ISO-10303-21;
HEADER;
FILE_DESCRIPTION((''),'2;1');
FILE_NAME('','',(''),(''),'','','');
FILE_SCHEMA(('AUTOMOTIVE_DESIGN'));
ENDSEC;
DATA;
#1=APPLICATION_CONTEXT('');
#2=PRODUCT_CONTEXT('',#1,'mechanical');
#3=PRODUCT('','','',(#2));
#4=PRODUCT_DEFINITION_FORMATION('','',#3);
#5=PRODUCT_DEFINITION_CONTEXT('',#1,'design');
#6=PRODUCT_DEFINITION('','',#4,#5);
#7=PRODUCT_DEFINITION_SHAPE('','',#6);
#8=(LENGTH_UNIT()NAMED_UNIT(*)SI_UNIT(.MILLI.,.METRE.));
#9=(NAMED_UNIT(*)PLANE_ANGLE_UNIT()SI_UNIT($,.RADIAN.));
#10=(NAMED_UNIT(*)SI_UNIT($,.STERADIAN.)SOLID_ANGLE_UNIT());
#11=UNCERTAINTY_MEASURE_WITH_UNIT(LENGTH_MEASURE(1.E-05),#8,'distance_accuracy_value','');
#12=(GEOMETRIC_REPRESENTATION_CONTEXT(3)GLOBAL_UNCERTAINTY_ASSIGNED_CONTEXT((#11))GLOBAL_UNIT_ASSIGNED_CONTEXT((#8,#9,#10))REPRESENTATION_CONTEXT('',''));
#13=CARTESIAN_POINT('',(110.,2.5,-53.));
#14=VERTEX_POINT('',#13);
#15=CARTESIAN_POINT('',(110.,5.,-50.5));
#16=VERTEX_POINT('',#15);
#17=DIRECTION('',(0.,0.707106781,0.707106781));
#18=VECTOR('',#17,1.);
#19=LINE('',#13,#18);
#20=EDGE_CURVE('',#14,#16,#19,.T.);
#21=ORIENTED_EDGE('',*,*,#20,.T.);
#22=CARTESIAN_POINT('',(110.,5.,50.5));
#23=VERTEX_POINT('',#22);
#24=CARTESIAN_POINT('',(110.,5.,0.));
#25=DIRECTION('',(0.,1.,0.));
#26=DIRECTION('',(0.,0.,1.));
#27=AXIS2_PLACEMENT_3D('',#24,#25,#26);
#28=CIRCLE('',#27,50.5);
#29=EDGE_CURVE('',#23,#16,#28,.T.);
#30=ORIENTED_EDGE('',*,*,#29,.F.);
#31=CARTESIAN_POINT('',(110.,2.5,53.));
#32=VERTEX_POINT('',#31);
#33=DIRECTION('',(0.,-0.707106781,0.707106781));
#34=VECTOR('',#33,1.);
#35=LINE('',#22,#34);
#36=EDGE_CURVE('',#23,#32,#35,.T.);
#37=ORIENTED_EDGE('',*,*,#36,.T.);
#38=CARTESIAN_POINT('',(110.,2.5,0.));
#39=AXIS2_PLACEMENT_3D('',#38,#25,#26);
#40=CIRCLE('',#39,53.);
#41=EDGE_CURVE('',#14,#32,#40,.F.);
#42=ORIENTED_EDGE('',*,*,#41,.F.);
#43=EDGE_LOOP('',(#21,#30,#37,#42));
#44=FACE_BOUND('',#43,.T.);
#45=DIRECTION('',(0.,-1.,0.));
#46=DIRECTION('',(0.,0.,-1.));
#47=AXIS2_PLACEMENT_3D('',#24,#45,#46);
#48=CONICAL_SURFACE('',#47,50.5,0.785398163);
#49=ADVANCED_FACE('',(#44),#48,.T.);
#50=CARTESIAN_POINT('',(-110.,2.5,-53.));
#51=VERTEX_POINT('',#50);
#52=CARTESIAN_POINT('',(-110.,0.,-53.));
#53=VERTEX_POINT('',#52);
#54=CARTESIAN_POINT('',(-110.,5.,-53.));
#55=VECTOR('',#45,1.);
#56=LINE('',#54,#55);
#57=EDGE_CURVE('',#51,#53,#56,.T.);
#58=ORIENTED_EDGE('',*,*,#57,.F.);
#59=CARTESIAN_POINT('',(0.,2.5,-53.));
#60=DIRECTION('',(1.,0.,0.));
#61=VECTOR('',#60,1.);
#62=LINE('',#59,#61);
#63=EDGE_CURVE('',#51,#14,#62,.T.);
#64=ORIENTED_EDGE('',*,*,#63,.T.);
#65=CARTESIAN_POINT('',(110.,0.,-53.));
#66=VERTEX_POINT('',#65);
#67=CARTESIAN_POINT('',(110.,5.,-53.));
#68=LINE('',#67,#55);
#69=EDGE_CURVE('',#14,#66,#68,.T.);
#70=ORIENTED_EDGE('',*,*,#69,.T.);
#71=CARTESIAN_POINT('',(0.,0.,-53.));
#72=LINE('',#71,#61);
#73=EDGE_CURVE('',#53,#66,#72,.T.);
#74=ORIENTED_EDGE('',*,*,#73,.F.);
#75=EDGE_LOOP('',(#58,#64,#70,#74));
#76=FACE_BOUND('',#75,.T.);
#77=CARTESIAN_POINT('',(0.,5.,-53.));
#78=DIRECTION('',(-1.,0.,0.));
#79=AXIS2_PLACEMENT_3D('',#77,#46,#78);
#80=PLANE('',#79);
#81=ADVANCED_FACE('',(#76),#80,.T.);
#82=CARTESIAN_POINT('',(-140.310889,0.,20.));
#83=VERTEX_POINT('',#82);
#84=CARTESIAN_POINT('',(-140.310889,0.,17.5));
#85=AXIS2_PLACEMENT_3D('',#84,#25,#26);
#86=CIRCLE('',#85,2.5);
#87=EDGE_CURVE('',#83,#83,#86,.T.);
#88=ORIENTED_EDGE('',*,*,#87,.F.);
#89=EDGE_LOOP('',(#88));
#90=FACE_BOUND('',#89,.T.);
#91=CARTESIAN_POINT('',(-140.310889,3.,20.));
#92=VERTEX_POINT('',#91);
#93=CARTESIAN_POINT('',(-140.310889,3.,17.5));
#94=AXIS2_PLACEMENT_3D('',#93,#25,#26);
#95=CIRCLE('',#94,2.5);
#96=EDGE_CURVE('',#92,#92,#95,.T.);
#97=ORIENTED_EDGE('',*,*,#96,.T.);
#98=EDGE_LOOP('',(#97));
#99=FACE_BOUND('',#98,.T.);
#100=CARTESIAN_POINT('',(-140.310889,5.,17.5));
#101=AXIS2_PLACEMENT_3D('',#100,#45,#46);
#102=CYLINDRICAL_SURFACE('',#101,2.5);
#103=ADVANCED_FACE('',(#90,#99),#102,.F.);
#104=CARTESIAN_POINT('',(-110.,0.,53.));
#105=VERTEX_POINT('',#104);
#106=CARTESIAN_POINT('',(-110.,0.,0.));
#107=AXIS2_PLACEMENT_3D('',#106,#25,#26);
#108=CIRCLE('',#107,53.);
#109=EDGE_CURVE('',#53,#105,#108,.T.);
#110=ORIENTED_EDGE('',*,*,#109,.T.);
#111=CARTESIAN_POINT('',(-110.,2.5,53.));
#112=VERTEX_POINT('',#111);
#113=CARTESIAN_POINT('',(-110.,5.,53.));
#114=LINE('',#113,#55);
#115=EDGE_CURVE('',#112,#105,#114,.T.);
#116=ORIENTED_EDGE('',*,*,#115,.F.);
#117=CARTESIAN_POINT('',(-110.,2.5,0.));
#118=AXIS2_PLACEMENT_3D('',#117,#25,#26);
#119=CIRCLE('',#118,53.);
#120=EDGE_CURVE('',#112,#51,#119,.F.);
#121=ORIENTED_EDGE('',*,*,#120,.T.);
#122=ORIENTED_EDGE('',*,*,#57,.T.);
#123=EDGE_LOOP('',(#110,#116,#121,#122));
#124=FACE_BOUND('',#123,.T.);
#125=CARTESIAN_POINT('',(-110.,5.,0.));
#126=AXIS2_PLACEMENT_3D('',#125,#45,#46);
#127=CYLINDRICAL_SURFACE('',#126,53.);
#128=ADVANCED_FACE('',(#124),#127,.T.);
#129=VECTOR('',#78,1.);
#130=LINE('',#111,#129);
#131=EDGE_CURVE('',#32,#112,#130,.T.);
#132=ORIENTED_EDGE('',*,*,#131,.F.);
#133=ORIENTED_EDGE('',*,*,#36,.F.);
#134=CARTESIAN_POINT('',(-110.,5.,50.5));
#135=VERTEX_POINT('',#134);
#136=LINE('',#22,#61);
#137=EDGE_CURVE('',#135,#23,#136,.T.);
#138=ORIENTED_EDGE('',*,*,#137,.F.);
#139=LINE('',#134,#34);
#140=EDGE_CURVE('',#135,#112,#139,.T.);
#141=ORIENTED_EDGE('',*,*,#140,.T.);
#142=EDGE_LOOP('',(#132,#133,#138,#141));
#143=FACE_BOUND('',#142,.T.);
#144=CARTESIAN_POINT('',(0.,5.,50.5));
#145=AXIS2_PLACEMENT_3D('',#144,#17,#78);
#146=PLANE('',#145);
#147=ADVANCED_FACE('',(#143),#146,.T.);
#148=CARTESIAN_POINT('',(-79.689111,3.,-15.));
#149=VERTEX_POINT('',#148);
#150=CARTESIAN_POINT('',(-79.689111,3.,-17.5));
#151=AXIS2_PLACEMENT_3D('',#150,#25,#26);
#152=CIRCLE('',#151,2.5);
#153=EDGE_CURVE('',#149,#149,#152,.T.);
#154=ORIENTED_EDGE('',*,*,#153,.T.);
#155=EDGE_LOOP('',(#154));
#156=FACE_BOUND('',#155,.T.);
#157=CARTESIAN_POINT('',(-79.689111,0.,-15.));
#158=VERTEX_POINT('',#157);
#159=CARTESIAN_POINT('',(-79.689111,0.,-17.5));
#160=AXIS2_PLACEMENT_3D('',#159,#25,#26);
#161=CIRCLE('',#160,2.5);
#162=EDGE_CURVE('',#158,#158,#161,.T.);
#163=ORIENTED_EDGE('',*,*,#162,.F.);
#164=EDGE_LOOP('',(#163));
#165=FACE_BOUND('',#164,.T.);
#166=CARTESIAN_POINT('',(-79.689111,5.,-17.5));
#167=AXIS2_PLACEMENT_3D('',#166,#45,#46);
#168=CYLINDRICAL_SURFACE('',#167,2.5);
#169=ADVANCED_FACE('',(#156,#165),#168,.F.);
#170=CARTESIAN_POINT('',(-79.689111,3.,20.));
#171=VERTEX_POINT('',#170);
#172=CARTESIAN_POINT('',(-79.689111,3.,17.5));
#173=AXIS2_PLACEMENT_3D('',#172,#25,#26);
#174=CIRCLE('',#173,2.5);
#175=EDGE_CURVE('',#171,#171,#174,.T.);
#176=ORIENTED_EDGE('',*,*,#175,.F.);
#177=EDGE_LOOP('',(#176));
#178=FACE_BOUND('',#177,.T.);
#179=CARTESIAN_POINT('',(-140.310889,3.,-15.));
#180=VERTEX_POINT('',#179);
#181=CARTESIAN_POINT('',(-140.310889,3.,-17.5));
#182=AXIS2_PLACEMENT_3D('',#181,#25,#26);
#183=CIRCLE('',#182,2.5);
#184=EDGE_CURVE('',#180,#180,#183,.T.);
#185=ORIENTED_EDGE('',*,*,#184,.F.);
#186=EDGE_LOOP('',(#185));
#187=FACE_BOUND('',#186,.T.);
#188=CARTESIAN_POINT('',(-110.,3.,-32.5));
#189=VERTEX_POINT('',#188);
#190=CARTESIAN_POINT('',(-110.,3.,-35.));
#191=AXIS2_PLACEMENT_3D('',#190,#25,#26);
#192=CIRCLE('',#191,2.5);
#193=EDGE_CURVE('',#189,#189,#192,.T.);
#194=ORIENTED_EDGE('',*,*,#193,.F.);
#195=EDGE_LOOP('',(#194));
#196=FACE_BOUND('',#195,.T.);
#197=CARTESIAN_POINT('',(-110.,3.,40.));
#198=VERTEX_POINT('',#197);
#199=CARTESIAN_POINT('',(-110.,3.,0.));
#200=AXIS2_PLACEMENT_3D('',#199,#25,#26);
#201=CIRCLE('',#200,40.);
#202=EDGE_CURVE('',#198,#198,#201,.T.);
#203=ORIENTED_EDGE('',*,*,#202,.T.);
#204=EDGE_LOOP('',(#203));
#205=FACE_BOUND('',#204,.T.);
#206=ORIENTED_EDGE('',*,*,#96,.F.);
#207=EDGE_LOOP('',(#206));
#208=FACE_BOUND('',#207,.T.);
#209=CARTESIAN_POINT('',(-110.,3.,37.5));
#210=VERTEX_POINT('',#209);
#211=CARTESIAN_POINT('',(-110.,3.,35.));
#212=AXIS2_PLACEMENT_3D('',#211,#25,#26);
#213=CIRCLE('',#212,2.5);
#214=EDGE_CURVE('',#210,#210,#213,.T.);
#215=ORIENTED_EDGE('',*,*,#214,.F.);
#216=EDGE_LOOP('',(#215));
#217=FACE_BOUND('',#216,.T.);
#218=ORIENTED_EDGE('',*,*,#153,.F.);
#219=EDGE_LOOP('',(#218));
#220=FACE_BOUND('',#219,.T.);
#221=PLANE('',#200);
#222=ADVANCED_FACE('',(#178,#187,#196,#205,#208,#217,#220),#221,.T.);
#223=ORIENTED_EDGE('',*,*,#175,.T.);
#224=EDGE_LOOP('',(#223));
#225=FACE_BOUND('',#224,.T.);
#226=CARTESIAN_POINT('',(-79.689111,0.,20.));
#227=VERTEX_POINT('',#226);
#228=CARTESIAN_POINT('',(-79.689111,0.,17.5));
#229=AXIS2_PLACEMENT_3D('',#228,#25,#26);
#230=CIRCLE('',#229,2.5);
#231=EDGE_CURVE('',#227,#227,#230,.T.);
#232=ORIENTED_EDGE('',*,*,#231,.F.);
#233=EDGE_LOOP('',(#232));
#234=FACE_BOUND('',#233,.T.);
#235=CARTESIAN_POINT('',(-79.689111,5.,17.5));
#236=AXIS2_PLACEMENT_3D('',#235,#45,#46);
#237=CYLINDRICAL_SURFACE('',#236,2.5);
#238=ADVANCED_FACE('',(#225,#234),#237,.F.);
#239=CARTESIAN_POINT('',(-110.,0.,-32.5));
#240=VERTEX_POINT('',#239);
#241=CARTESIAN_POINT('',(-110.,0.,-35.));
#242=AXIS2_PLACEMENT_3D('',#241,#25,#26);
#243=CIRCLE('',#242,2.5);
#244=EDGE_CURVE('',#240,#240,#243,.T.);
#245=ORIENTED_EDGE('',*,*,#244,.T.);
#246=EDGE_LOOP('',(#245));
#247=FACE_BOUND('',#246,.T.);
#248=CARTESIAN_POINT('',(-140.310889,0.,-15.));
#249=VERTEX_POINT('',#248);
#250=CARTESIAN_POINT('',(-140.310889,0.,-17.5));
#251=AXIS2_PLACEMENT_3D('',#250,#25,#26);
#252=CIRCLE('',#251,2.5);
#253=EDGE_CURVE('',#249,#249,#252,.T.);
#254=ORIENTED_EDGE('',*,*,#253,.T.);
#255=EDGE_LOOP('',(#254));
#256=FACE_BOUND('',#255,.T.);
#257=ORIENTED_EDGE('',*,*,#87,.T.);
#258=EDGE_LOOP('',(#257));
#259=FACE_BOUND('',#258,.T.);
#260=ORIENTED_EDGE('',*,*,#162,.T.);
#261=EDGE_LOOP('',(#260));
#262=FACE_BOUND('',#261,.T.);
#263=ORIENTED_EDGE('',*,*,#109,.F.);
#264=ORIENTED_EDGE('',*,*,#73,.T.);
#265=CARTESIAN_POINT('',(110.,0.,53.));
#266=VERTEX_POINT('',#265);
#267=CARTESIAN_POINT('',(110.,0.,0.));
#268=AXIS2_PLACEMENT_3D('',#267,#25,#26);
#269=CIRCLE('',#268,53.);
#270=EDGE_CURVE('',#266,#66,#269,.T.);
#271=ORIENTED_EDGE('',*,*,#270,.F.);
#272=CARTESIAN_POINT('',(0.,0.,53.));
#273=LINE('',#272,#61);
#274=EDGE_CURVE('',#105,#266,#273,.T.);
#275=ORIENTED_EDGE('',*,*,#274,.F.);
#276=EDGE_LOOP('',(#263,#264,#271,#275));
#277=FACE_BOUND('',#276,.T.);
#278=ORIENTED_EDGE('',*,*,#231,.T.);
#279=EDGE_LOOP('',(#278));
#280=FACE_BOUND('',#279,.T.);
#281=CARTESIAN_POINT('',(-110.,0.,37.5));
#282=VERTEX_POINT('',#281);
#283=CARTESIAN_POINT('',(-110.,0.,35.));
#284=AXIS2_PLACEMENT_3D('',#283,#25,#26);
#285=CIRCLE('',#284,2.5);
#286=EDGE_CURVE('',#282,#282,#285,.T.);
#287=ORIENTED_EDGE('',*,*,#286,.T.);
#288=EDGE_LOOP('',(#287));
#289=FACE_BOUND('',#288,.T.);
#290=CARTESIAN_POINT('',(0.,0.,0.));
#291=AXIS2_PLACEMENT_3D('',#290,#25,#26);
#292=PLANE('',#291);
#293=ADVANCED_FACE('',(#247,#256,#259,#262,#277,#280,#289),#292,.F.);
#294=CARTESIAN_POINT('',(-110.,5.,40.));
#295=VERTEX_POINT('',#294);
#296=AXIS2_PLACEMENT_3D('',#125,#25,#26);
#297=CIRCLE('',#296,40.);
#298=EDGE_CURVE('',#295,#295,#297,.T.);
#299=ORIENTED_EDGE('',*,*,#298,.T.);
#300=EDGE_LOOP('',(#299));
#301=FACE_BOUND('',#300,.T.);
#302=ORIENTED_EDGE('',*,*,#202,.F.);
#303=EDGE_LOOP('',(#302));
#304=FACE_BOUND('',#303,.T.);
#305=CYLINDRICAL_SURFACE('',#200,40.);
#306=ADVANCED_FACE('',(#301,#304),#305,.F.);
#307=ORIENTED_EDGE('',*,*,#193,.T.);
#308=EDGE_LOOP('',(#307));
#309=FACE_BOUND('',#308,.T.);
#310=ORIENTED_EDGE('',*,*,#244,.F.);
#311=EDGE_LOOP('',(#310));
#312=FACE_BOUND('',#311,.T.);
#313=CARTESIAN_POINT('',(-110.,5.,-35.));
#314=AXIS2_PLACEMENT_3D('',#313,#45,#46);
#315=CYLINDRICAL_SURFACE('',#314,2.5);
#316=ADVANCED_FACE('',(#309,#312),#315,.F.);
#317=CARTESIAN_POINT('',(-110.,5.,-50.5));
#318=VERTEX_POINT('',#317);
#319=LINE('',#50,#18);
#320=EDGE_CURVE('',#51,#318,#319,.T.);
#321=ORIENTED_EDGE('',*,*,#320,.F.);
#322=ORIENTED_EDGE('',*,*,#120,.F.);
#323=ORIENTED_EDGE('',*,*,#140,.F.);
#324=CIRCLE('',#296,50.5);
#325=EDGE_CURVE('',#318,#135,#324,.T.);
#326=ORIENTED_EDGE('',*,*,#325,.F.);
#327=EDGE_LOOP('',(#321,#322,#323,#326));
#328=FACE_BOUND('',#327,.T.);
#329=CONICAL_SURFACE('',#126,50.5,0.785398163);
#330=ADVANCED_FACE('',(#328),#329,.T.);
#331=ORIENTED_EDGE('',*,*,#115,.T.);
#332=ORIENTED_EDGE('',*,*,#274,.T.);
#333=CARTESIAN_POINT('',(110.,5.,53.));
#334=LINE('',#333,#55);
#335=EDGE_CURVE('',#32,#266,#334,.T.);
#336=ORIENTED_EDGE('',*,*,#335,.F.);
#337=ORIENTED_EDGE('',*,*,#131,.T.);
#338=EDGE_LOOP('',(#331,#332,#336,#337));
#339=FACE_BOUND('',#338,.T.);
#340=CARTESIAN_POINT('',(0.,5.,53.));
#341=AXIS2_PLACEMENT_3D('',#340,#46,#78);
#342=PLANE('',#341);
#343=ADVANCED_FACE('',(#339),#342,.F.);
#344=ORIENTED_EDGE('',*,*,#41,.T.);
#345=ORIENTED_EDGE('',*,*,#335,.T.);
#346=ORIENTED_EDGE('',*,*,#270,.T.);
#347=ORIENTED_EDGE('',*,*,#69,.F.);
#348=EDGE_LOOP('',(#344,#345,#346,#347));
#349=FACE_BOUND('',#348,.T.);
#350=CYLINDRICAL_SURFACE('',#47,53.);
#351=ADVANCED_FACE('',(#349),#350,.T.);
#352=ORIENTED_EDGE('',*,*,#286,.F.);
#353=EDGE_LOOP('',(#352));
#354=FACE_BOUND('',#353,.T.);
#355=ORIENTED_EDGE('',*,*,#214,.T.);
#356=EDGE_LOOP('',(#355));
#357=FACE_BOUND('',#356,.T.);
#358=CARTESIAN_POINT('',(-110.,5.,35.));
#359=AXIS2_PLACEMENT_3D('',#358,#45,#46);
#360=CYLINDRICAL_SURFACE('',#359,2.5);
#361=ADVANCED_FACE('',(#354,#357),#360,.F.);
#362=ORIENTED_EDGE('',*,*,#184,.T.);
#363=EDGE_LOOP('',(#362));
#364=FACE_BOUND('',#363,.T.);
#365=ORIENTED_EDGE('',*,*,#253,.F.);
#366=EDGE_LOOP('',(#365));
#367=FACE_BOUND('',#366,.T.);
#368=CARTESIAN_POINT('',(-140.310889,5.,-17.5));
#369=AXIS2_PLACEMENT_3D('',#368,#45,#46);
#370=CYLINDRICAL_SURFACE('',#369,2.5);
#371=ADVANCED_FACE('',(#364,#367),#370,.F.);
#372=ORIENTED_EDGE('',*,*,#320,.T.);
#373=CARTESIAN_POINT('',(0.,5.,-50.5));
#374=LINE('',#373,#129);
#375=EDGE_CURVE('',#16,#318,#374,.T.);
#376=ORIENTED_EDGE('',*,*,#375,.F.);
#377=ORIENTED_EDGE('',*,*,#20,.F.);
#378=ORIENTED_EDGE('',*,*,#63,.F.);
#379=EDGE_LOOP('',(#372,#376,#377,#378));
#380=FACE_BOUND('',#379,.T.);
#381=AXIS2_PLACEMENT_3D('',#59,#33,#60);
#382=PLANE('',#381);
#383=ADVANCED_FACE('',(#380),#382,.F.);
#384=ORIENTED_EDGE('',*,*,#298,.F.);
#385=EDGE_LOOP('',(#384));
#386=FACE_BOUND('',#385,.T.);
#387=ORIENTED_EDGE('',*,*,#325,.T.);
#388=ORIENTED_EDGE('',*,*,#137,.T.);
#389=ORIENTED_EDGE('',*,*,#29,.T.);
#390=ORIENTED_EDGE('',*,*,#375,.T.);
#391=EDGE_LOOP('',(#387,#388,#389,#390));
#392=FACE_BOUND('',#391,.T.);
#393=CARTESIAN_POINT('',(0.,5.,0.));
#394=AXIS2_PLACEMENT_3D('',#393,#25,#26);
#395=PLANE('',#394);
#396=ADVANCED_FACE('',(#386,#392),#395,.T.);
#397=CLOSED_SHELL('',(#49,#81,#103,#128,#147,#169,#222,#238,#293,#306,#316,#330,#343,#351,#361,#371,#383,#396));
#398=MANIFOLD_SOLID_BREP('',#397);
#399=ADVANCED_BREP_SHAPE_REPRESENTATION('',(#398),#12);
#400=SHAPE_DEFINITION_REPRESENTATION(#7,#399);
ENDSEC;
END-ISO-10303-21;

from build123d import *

# Parameters (mm, degrees)
SKETCH1_R           = 2.5
BOSS_EXTRUDE1_DEPTH = 5
SKETCH2_R           = 40
CUT_EXTRUDE1_DEPTH  = 2
CHAMFER1_SIZE       = 2.5


with BuildPart() as part:
    # Sketch1 → Boss-Extrude1 (new body)
    with BuildSketch(Plane(origin=(0, 0, 0), x_dir=(1, 0, 0), z_dir=(0, 1, 0))):
        with BuildLine():
            Line((-110, -53), (110, -53))
            ThreePointArc((110, -53), (163, 0), (110, 53))
            Line((110, 53), (-110, 53))
            ThreePointArc((-110, 53), (-163, 0), (-110, -53))
        make_face()
        with Locations((-110, -35)):
            Circle(SKETCH1_R, mode=Mode.SUBTRACT)
        with Locations((-110, 35)):
            Circle(SKETCH1_R, mode=Mode.SUBTRACT)
        with Locations((-79.689110868, 17.5)):
            Circle(SKETCH1_R, mode=Mode.SUBTRACT)
        with Locations((-79.689110868, -17.5)):
            Circle(SKETCH1_R, mode=Mode.SUBTRACT)
        with Locations((-140.310889132, 17.5)):
            Circle(SKETCH1_R, mode=Mode.SUBTRACT)
        with Locations((-140.310889132, -17.5)):
            Circle(SKETCH1_R, mode=Mode.SUBTRACT)
    extrude(amount=BOSS_EXTRUDE1_DEPTH)

    # Sketch2 → Cut-Extrude1 (cut)
    with BuildSketch(Plane(origin=(0, 5, 0), x_dir=(1, 0, 0), z_dir=(0, 1, 0))):
        with Locations((-110, 0)):
            Circle(SKETCH2_R)
    extrude(amount=-CUT_EXTRUDE1_DEPTH, mode=Mode.SUBTRACT)

    # Chamfer1
    chamfer1_edges = [part.edges().sort_by_distance(p)[0] for p in [
        (-163, 5, 0),
        (0, 5, 53),
        (163, 5, 0),
        (0, 5, -53),
    ]]
    chamfer(chamfer1_edges, length=CHAMFER1_SIZE)


solid = part.part
